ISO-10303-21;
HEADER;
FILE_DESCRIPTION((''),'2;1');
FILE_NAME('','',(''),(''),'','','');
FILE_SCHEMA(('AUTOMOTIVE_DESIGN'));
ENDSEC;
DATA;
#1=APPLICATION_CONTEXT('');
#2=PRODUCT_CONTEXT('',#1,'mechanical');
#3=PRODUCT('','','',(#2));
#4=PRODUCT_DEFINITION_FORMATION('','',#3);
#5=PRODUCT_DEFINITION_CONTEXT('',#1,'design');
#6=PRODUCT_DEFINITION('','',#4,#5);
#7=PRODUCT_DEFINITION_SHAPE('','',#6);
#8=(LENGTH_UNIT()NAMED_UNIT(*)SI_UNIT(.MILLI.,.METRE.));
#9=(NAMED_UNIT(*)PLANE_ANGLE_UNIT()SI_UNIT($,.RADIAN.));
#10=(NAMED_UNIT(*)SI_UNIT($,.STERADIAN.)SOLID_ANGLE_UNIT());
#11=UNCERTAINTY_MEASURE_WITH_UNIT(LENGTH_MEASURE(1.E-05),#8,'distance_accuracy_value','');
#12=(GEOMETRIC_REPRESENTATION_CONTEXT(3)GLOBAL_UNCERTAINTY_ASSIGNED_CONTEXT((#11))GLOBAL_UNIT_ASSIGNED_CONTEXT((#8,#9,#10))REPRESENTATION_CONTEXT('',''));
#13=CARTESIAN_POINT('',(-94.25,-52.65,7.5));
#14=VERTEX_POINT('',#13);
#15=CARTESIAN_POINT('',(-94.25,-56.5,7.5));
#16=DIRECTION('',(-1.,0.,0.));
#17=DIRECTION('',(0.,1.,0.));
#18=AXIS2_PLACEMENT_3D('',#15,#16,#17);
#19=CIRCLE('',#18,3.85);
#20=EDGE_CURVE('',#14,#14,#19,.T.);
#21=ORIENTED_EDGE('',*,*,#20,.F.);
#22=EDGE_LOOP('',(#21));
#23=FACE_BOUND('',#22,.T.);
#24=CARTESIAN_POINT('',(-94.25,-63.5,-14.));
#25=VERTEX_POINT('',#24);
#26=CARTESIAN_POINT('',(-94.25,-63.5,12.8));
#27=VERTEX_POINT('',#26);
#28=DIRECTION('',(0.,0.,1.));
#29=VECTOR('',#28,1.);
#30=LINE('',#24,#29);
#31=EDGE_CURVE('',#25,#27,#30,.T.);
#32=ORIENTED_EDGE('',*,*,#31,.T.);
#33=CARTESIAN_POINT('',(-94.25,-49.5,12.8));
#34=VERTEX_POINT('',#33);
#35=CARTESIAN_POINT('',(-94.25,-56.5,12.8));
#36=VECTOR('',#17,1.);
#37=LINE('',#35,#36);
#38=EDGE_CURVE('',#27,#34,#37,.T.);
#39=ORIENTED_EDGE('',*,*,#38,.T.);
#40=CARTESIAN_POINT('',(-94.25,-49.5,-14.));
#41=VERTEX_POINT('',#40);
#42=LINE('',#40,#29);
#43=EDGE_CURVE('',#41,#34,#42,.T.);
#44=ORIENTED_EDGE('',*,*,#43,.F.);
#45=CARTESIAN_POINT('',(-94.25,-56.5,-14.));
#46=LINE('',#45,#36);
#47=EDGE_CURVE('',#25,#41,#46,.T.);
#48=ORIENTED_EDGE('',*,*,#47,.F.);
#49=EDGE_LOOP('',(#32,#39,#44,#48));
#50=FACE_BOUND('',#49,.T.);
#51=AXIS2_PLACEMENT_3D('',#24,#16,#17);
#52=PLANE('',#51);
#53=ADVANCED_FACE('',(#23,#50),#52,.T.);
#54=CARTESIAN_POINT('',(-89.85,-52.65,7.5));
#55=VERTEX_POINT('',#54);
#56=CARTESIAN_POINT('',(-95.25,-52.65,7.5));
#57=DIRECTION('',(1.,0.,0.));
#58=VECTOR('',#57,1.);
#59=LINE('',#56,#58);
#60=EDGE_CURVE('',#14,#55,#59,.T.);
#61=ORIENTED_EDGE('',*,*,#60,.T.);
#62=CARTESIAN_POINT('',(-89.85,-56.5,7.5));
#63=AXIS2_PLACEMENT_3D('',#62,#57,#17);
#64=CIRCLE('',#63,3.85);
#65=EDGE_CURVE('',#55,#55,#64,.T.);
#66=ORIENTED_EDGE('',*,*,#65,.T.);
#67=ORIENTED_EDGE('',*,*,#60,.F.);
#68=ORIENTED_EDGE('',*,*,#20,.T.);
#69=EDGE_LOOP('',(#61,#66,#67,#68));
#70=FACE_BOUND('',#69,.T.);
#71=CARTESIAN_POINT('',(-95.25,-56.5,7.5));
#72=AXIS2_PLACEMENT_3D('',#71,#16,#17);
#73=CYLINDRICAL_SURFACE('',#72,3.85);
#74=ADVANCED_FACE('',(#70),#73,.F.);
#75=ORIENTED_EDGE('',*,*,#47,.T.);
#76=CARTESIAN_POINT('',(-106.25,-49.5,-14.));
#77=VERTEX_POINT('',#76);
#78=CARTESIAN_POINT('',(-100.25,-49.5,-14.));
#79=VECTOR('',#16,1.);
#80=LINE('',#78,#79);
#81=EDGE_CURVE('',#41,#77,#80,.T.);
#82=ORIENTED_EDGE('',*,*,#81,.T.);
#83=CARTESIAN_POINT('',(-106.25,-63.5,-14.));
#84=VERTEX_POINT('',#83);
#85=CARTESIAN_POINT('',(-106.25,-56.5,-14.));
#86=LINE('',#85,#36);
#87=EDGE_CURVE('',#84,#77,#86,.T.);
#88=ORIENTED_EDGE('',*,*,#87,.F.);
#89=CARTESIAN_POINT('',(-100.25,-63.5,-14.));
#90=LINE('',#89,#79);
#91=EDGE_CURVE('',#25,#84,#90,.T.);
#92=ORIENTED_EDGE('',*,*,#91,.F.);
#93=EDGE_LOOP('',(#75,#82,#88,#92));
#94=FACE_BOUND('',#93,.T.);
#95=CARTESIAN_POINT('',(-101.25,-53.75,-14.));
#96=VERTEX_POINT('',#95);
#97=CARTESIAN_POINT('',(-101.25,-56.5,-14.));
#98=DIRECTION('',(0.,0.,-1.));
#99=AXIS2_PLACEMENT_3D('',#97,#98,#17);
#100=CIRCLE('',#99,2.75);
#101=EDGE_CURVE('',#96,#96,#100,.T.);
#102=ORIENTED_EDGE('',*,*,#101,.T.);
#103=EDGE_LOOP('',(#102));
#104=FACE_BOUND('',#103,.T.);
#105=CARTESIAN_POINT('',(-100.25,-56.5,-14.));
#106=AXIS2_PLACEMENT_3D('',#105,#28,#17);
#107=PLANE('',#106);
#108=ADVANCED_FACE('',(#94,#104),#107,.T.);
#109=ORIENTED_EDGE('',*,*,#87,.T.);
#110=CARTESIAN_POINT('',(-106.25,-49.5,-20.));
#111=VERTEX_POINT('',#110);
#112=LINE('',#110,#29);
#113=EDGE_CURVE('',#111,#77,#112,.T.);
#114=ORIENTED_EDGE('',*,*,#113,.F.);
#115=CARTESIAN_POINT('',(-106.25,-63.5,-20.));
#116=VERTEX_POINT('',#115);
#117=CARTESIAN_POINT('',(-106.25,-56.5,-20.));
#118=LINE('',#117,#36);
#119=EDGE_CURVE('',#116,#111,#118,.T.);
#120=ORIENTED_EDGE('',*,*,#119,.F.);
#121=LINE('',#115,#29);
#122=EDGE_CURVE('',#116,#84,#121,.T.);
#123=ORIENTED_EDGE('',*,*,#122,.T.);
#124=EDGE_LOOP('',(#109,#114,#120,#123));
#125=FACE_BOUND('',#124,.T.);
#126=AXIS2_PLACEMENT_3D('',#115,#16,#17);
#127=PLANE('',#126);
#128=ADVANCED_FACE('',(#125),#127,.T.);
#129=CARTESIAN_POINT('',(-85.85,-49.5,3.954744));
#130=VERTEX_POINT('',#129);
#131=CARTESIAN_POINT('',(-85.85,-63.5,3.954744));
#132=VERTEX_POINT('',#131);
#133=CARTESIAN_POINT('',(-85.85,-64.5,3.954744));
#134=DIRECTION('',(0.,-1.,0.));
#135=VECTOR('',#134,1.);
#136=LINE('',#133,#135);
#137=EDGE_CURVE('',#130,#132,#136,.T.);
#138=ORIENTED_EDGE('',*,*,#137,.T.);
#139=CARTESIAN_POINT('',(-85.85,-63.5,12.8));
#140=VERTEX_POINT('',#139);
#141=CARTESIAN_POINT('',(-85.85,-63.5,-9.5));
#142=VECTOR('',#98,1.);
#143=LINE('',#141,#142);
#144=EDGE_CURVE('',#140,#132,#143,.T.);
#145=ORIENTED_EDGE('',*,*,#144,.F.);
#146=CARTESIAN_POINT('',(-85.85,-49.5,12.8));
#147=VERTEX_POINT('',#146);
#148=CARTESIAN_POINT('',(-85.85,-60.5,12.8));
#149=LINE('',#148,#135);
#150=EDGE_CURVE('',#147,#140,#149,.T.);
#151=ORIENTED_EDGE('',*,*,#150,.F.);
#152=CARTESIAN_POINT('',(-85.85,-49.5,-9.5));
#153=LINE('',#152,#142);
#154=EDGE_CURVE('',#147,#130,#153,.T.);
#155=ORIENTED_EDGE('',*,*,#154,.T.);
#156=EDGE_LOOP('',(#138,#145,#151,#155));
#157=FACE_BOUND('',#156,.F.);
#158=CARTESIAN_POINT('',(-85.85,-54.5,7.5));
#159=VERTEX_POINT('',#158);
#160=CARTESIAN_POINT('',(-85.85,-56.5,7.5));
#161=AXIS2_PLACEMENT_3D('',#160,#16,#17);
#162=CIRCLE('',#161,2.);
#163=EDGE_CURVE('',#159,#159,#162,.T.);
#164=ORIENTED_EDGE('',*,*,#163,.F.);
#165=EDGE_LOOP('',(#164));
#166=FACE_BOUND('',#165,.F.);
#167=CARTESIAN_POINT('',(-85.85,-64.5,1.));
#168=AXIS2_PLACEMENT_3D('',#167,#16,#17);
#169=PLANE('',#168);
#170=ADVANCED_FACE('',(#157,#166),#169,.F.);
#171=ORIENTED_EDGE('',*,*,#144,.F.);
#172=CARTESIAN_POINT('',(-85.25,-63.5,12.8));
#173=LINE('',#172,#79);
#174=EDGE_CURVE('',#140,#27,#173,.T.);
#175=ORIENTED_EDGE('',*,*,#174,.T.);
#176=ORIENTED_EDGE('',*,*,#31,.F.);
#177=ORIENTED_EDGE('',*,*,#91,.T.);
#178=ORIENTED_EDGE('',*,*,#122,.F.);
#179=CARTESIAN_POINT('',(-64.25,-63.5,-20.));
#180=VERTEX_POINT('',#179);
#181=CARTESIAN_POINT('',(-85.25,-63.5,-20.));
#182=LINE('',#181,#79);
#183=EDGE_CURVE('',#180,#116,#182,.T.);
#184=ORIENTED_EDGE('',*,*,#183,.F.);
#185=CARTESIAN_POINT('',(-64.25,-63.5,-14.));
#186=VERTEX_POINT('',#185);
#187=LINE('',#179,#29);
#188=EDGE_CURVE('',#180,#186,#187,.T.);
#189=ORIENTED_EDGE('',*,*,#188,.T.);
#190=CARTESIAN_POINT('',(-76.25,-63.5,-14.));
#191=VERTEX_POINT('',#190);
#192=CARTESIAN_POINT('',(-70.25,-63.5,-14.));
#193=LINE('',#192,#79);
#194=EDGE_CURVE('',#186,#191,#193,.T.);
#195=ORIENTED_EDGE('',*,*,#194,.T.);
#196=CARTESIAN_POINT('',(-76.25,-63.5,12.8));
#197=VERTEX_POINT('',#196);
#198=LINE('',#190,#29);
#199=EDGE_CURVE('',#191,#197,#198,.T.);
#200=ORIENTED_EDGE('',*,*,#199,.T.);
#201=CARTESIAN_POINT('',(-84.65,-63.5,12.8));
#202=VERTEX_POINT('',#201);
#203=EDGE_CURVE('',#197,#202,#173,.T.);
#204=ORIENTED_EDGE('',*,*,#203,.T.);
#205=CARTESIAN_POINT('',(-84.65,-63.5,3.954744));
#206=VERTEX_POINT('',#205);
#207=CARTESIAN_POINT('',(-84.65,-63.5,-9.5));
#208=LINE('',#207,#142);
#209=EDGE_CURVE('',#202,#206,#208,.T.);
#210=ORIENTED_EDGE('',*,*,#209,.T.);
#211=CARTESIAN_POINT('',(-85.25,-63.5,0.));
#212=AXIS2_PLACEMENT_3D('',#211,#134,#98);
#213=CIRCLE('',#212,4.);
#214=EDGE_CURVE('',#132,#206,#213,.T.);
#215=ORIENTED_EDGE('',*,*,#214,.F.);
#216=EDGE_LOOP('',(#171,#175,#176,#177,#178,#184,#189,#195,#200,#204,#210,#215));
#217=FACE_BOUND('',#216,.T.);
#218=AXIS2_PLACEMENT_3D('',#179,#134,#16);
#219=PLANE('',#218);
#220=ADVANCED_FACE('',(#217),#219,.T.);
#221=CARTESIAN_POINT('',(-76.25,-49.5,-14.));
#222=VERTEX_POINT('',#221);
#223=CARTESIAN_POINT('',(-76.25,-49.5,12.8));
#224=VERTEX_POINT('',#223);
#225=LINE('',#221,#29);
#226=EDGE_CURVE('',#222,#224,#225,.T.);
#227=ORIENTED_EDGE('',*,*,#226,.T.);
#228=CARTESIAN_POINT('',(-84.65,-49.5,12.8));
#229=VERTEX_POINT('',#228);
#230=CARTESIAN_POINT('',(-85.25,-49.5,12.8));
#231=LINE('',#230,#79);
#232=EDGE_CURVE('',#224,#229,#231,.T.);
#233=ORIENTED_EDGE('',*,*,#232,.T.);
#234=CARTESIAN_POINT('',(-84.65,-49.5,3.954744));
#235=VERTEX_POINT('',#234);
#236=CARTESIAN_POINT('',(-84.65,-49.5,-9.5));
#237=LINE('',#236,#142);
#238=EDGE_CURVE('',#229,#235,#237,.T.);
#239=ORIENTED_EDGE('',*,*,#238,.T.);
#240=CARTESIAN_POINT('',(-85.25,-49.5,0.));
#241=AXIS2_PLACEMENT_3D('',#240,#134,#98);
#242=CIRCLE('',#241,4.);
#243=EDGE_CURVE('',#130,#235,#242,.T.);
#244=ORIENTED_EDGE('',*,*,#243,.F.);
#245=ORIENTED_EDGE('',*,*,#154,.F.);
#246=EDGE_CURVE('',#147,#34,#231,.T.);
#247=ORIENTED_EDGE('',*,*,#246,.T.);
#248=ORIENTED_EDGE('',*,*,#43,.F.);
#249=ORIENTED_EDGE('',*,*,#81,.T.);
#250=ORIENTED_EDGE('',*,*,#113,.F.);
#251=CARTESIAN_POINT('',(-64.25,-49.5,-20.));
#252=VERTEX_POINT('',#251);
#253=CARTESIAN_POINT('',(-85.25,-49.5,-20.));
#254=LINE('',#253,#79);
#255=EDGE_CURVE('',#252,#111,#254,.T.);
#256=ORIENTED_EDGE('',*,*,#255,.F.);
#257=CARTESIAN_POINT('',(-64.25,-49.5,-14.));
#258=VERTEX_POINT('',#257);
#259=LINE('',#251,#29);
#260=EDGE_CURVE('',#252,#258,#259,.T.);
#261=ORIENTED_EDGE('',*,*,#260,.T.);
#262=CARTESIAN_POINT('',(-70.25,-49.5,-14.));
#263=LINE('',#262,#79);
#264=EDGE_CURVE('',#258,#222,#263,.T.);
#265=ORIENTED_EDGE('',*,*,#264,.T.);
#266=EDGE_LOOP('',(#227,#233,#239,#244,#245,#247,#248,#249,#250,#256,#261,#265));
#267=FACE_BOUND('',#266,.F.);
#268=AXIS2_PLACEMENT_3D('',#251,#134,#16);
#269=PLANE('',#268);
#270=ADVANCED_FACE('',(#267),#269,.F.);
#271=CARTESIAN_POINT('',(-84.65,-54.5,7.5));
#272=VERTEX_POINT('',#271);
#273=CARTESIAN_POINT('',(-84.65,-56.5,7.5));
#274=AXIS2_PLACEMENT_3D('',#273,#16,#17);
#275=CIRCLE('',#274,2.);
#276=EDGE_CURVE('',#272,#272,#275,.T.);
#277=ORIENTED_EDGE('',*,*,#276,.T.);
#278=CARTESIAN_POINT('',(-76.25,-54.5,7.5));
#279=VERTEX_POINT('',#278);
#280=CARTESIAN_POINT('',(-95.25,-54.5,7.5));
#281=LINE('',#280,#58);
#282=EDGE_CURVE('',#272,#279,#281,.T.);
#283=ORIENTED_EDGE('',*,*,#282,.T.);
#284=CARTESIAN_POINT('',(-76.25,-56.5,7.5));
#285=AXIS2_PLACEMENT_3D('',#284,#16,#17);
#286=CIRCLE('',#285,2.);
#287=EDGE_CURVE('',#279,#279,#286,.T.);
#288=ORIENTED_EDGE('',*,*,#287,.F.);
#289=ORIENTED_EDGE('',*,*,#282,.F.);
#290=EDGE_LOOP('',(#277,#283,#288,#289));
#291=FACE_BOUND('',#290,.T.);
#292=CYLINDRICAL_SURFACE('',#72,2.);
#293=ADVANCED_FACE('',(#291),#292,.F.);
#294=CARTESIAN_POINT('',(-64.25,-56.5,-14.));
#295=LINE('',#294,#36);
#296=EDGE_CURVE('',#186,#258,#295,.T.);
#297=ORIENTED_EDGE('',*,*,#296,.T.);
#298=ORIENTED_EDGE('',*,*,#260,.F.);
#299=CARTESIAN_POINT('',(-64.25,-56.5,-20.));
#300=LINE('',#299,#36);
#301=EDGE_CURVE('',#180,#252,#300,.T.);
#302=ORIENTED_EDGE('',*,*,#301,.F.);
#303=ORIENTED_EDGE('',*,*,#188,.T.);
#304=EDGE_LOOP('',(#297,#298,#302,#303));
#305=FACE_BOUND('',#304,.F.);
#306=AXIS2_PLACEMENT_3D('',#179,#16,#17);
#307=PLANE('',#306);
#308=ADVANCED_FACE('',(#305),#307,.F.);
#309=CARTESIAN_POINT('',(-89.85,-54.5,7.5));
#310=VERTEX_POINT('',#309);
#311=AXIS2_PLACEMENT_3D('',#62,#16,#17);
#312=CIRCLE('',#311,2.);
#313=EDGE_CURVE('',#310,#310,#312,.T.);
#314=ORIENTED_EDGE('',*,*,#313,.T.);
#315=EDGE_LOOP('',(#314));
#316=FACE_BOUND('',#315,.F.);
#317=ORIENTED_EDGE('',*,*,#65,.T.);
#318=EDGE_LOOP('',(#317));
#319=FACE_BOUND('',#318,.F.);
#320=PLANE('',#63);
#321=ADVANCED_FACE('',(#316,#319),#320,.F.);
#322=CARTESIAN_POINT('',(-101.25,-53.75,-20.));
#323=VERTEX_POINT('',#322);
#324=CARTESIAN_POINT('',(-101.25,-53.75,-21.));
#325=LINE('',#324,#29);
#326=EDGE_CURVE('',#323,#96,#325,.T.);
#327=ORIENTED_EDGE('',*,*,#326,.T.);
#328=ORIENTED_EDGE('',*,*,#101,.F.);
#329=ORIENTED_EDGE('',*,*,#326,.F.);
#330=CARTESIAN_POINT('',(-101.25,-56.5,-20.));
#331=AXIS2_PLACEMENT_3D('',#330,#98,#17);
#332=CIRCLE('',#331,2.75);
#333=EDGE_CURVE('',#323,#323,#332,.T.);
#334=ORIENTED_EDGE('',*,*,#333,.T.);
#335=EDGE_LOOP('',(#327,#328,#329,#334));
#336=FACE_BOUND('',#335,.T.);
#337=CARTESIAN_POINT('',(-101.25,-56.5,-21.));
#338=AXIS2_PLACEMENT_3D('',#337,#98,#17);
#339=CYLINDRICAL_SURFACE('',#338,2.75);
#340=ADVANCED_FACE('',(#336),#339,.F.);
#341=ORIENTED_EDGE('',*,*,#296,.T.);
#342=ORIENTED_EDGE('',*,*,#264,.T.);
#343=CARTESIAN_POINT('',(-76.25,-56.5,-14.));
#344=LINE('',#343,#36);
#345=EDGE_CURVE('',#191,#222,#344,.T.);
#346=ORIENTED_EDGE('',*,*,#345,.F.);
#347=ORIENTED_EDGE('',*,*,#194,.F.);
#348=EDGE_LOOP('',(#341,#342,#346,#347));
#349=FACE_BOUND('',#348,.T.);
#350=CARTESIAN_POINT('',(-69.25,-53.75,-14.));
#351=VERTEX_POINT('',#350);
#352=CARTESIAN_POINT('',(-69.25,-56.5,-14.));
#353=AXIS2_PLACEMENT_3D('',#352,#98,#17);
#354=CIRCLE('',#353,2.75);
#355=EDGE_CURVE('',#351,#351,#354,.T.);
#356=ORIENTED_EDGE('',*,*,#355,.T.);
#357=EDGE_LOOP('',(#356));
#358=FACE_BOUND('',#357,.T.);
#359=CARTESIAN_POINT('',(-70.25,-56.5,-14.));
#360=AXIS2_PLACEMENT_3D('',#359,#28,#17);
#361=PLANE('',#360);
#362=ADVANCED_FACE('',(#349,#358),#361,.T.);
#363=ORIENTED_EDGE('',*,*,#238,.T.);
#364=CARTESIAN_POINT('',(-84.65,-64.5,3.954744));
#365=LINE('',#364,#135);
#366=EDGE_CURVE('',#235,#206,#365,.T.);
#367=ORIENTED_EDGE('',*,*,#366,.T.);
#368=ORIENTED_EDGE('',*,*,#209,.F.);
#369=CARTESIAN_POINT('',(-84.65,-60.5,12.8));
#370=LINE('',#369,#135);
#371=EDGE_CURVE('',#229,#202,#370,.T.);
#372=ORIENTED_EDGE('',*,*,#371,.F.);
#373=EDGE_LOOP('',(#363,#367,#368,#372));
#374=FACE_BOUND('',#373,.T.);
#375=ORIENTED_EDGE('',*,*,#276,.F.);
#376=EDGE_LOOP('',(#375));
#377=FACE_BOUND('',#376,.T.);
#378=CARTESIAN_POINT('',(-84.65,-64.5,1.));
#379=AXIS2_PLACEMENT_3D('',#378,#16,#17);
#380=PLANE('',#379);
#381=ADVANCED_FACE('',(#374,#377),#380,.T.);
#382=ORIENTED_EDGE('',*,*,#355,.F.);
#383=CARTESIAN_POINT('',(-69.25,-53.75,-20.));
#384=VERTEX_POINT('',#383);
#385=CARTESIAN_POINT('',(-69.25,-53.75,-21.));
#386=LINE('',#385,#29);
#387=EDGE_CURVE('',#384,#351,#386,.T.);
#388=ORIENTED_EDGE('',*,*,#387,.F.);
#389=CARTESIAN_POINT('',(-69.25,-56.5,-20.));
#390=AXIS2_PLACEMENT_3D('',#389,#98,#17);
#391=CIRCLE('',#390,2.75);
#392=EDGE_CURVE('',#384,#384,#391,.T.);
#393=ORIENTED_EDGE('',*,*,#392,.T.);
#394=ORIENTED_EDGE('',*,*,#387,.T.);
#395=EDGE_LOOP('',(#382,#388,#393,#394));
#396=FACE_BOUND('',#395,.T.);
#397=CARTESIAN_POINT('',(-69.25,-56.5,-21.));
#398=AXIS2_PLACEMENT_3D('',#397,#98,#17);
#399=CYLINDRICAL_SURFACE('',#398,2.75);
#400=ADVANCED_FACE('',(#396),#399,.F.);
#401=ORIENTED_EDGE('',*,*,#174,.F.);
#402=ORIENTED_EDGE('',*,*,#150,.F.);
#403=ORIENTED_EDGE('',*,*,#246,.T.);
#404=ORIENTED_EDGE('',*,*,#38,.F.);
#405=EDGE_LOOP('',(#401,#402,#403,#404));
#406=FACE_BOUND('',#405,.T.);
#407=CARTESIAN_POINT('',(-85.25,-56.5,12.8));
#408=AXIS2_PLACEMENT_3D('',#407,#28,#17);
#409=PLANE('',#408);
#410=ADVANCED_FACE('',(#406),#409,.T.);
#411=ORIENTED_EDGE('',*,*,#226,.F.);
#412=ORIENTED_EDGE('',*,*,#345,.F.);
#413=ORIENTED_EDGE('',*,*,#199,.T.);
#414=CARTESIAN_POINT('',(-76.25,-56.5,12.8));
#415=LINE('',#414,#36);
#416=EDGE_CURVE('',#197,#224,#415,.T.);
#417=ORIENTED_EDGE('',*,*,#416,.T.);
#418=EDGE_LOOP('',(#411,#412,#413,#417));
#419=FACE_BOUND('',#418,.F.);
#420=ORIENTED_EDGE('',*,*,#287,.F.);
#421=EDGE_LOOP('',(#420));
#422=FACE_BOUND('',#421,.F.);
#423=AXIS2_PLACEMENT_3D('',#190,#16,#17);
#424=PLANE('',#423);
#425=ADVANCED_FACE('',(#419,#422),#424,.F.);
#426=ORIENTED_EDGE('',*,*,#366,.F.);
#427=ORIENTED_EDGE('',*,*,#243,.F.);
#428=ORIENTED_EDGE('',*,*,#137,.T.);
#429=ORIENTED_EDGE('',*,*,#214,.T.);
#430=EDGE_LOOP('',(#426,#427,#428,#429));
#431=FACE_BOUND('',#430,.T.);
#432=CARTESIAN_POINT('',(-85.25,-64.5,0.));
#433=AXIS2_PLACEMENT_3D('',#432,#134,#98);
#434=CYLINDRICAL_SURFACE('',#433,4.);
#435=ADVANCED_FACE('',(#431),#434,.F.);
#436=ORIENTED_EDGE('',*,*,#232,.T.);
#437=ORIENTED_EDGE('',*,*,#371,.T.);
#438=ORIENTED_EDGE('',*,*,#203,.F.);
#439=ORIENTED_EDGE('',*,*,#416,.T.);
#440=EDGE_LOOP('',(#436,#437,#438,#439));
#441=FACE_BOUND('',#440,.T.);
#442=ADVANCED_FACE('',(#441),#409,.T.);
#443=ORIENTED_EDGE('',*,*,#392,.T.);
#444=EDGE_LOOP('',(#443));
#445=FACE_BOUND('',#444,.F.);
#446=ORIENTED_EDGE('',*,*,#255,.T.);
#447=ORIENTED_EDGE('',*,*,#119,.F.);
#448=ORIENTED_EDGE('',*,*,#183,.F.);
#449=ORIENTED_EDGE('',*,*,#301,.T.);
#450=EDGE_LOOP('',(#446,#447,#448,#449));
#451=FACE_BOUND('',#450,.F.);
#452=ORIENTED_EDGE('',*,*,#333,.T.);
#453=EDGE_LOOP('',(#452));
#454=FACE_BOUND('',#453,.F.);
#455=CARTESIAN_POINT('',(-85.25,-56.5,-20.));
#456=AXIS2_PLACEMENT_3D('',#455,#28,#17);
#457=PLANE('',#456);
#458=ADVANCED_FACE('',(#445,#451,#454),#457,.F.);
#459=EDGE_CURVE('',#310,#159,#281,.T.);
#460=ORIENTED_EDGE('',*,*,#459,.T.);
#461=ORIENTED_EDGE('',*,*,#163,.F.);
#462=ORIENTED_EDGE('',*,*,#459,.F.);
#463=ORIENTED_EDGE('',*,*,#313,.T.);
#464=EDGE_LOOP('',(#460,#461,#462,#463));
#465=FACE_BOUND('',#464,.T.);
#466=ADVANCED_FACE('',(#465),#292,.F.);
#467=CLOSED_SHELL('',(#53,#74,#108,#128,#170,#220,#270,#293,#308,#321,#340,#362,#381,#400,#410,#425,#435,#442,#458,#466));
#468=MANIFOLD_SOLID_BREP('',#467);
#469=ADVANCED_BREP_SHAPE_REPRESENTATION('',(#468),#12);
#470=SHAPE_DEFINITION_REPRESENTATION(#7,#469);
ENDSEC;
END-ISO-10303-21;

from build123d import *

# Parameters (mm, degrees)
MBOLT_SH_L_R                     = 2.75
MBOLT_SH_L_DEPTH                 = 8
MBOLT_SH_R_R                     = 2.75
MBOLT_SH_R_DEPTH                 = 8
MBOLTS_SH_PLACEMENT_ANGLE        = 90
TBOLT_SHAFT_R                    = 2
TBOLT_SHAFT_DEPTH                = 20
TBOLT_SHAFT_ROLL_ANGLE           = 90
UP_SEP_W                         = 16
UP_SEP_H                         = 1.2
UP_SEP_DEPTH                     = 13.8
SHAFT_HOLE_R                     = 4
SHAFT_HOLE_DEPTH                 = 16
SHAFT_HOLE_PITCH_ANGLE           = 90
TBOLT_HEAD_R                     = 3.85
TBOLT_HEAD_DEPTH                 = 5.4
TBOLT_HEAD_ROLL_ANGLE            = 90
SIDE_BOX_L_W                     = 14
SIDE_BOX_L_H                     = 12
SIDE_BOX_L_DEPTH                 = 26.8
SIDE_BOX_R_W                     = 14
SIDE_BOX_R_H                     = 12
SIDE_BOX_R_DEPTH                 = 26.8
TOTAL_BOX_W                      = 14
TOTAL_BOX_H                      = 42
TOTAL_BOX_DEPTH                  = 32.8
SK_SHAPE_W_HOLES_PLACEMENT_ANGLE = 90


with BuildPart() as mbolt_sh_l:
    # mbolt_sh_l → mbolt_sh_l (new body)
    with BuildSketch(Plane(origin=(7, -16, -1), x_dir=(1, 0, 0), z_dir=(0, 0, 1))):
        Circle(MBOLT_SH_L_R)
    extrude(amount=MBOLT_SH_L_DEPTH)


with BuildPart() as mbolts_sh:
    # mbolt_sh_r → mbolt_sh_r (new body)
    with BuildSketch(Plane(origin=(7, 16, -1), x_dir=(1, 0, 0), z_dir=(0, 0, 1))):
        Circle(MBOLT_SH_R_R)
    extrude(amount=MBOLT_SH_R_DEPTH)

    # mbolts_sh: union mbolt_sh_l
    add(mbolt_sh_l.part)


with BuildPart() as mbolts_sh_1:
    # mbolts_sh placement: moved
    add(mbolts_sh.part.moved(Location((0, -7, 0))).rotate(Axis((0, -7, 0), (0, 0, 1)), MBOLTS_SH_PLACEMENT_ANGLE))


with BuildPart() as tbolt_shaft:
    # tbolt_shaft → tbolt_shaft (new body)
    with BuildSketch(Plane.XY):
        Circle(TBOLT_SHAFT_R)
    extrude(amount=TBOLT_SHAFT_DEPTH)


with BuildPart() as tbolt_shaft_1:
    # tbolt_shaft roll: moved
    add(tbolt_shaft.part.rotate(Axis((0, 0, 0), (1, 0, 0)), TBOLT_SHAFT_ROLL_ANGLE))


with BuildPart() as tbolt_shaft_2:
    # tbolt_shaft placement: moved
    add(tbolt_shaft_1.part.moved(Location((7, 10, 27.5))))


with BuildPart() as up_sep:
    # up_sep → up_sep (new body)
    with BuildSketch(Plane(origin=(-1, -0.6, 21), x_dir=(1, 0, 0), z_dir=(0, 0, 1))):
        with Locations((8, 0.6)):
            Rectangle(UP_SEP_W, UP_SEP_H)
    extrude(amount=UP_SEP_DEPTH)


with BuildPart() as shaft_hole:
    # shaft_hole → shaft_hole (new body)
    with BuildSketch(Plane.XY):
        Circle(SHAFT_HOLE_R)
    extrude(amount=SHAFT_HOLE_DEPTH)


with BuildPart() as shaft_hole_1:
    # shaft_hole pitch: moved
    add(shaft_hole.part.rotate(Axis((0, 0, 0), (0, 1, 0)), SHAFT_HOLE_PITCH_ANGLE))


with BuildPart() as shaft_hole_2:
    # shaft_hole placement: moved
    add(shaft_hole_1.part.moved(Location((-1, 0, 20))))


with BuildPart() as fuse_shaft_holes:
    # tbolt_head → tbolt_head (new body)
    with BuildSketch(Plane.XY):
        Circle(TBOLT_HEAD_R)
    extrude(amount=TBOLT_HEAD_DEPTH)


with BuildPart() as fuse_shaft_holes_1:
    # tbolt_head roll: moved
    add(fuse_shaft_holes.part.rotate(Axis((0, 0, 0), (1, 0, 0)), TBOLT_HEAD_ROLL_ANGLE))


with BuildPart() as fuse_shaft_holes_2:
    # tbolt_head placement: moved
    add(fuse_shaft_holes_1.part.moved(Location((7, 10, 27.5))))

    # fuse_shaft_holes: union tbolt_shaft, up_sep, shaft_hole
    add(tbolt_shaft_2.part)
    add(up_sep.part)
    add(shaft_hole_2.part)


with BuildPart() as side_box_l:
    # side_box_l → side_box_l (new body)
    with BuildSketch(Plane(origin=(0, -21, 6), x_dir=(1, 0, 0), z_dir=(0, 0, 1))):
        with Locations((7, 6)):
            Rectangle(SIDE_BOX_L_W, SIDE_BOX_L_H)
    extrude(amount=SIDE_BOX_L_DEPTH)


with BuildPart() as side_boxes:
    # side_box_r → side_box_r (new body)
    with BuildSketch(Plane(origin=(0, 9, 6), x_dir=(1, 0, 0), z_dir=(0, 0, 1))):
        with Locations((7, 6)):
            Rectangle(SIDE_BOX_R_W, SIDE_BOX_R_H)
    extrude(amount=SIDE_BOX_R_DEPTH)

    # side_boxes: union side_box_l
    add(side_box_l.part)


with BuildPart() as sky_nx_y0:
    # total_box → total_box (new body)
    with BuildSketch(Plane(origin=(0, -21, 0), x_dir=(1, 0, 0), z_dir=(0, 0, 1))):
        with Locations((7, 21)):
            Rectangle(TOTAL_BOX_W, TOTAL_BOX_H)
    extrude(amount=TOTAL_BOX_DEPTH)

    # sk_shape: cut side_boxes
    add(side_boxes.part, mode=Mode.SUBTRACT)

    # sk_shape_w_holes: cut fuse_shaft_holes
    add(fuse_shaft_holes_2.part, mode=Mode.SUBTRACT)


with BuildPart() as sky_nx_y0_1:
    # sk_shape_w_holes placement: moved
    add(sky_nx_y0.part.moved(Location((0, -7, 0))).rotate(Axis((0, -7, 0), (0, 0, 1)), SK_SHAPE_W_HOLES_PLACEMENT_ANGLE))

    # sky_x_y0: cut mbolts_sh
    add(mbolts_sh_1.part, mode=Mode.SUBTRACT)


with BuildPart() as sky_nx_y0_2:
    # sky_x_y0 placement: moved
    add(sky_nx_y0_1.part.moved(Location((85.25, -56.5, -20))))


with BuildPart() as sky_nx_y0_3:
    # Clone013 placement: moved
    add(sky_nx_y0_2.part.moved(Location((-170.5, 0, 0))))


solid = sky_nx_y0_3.part
